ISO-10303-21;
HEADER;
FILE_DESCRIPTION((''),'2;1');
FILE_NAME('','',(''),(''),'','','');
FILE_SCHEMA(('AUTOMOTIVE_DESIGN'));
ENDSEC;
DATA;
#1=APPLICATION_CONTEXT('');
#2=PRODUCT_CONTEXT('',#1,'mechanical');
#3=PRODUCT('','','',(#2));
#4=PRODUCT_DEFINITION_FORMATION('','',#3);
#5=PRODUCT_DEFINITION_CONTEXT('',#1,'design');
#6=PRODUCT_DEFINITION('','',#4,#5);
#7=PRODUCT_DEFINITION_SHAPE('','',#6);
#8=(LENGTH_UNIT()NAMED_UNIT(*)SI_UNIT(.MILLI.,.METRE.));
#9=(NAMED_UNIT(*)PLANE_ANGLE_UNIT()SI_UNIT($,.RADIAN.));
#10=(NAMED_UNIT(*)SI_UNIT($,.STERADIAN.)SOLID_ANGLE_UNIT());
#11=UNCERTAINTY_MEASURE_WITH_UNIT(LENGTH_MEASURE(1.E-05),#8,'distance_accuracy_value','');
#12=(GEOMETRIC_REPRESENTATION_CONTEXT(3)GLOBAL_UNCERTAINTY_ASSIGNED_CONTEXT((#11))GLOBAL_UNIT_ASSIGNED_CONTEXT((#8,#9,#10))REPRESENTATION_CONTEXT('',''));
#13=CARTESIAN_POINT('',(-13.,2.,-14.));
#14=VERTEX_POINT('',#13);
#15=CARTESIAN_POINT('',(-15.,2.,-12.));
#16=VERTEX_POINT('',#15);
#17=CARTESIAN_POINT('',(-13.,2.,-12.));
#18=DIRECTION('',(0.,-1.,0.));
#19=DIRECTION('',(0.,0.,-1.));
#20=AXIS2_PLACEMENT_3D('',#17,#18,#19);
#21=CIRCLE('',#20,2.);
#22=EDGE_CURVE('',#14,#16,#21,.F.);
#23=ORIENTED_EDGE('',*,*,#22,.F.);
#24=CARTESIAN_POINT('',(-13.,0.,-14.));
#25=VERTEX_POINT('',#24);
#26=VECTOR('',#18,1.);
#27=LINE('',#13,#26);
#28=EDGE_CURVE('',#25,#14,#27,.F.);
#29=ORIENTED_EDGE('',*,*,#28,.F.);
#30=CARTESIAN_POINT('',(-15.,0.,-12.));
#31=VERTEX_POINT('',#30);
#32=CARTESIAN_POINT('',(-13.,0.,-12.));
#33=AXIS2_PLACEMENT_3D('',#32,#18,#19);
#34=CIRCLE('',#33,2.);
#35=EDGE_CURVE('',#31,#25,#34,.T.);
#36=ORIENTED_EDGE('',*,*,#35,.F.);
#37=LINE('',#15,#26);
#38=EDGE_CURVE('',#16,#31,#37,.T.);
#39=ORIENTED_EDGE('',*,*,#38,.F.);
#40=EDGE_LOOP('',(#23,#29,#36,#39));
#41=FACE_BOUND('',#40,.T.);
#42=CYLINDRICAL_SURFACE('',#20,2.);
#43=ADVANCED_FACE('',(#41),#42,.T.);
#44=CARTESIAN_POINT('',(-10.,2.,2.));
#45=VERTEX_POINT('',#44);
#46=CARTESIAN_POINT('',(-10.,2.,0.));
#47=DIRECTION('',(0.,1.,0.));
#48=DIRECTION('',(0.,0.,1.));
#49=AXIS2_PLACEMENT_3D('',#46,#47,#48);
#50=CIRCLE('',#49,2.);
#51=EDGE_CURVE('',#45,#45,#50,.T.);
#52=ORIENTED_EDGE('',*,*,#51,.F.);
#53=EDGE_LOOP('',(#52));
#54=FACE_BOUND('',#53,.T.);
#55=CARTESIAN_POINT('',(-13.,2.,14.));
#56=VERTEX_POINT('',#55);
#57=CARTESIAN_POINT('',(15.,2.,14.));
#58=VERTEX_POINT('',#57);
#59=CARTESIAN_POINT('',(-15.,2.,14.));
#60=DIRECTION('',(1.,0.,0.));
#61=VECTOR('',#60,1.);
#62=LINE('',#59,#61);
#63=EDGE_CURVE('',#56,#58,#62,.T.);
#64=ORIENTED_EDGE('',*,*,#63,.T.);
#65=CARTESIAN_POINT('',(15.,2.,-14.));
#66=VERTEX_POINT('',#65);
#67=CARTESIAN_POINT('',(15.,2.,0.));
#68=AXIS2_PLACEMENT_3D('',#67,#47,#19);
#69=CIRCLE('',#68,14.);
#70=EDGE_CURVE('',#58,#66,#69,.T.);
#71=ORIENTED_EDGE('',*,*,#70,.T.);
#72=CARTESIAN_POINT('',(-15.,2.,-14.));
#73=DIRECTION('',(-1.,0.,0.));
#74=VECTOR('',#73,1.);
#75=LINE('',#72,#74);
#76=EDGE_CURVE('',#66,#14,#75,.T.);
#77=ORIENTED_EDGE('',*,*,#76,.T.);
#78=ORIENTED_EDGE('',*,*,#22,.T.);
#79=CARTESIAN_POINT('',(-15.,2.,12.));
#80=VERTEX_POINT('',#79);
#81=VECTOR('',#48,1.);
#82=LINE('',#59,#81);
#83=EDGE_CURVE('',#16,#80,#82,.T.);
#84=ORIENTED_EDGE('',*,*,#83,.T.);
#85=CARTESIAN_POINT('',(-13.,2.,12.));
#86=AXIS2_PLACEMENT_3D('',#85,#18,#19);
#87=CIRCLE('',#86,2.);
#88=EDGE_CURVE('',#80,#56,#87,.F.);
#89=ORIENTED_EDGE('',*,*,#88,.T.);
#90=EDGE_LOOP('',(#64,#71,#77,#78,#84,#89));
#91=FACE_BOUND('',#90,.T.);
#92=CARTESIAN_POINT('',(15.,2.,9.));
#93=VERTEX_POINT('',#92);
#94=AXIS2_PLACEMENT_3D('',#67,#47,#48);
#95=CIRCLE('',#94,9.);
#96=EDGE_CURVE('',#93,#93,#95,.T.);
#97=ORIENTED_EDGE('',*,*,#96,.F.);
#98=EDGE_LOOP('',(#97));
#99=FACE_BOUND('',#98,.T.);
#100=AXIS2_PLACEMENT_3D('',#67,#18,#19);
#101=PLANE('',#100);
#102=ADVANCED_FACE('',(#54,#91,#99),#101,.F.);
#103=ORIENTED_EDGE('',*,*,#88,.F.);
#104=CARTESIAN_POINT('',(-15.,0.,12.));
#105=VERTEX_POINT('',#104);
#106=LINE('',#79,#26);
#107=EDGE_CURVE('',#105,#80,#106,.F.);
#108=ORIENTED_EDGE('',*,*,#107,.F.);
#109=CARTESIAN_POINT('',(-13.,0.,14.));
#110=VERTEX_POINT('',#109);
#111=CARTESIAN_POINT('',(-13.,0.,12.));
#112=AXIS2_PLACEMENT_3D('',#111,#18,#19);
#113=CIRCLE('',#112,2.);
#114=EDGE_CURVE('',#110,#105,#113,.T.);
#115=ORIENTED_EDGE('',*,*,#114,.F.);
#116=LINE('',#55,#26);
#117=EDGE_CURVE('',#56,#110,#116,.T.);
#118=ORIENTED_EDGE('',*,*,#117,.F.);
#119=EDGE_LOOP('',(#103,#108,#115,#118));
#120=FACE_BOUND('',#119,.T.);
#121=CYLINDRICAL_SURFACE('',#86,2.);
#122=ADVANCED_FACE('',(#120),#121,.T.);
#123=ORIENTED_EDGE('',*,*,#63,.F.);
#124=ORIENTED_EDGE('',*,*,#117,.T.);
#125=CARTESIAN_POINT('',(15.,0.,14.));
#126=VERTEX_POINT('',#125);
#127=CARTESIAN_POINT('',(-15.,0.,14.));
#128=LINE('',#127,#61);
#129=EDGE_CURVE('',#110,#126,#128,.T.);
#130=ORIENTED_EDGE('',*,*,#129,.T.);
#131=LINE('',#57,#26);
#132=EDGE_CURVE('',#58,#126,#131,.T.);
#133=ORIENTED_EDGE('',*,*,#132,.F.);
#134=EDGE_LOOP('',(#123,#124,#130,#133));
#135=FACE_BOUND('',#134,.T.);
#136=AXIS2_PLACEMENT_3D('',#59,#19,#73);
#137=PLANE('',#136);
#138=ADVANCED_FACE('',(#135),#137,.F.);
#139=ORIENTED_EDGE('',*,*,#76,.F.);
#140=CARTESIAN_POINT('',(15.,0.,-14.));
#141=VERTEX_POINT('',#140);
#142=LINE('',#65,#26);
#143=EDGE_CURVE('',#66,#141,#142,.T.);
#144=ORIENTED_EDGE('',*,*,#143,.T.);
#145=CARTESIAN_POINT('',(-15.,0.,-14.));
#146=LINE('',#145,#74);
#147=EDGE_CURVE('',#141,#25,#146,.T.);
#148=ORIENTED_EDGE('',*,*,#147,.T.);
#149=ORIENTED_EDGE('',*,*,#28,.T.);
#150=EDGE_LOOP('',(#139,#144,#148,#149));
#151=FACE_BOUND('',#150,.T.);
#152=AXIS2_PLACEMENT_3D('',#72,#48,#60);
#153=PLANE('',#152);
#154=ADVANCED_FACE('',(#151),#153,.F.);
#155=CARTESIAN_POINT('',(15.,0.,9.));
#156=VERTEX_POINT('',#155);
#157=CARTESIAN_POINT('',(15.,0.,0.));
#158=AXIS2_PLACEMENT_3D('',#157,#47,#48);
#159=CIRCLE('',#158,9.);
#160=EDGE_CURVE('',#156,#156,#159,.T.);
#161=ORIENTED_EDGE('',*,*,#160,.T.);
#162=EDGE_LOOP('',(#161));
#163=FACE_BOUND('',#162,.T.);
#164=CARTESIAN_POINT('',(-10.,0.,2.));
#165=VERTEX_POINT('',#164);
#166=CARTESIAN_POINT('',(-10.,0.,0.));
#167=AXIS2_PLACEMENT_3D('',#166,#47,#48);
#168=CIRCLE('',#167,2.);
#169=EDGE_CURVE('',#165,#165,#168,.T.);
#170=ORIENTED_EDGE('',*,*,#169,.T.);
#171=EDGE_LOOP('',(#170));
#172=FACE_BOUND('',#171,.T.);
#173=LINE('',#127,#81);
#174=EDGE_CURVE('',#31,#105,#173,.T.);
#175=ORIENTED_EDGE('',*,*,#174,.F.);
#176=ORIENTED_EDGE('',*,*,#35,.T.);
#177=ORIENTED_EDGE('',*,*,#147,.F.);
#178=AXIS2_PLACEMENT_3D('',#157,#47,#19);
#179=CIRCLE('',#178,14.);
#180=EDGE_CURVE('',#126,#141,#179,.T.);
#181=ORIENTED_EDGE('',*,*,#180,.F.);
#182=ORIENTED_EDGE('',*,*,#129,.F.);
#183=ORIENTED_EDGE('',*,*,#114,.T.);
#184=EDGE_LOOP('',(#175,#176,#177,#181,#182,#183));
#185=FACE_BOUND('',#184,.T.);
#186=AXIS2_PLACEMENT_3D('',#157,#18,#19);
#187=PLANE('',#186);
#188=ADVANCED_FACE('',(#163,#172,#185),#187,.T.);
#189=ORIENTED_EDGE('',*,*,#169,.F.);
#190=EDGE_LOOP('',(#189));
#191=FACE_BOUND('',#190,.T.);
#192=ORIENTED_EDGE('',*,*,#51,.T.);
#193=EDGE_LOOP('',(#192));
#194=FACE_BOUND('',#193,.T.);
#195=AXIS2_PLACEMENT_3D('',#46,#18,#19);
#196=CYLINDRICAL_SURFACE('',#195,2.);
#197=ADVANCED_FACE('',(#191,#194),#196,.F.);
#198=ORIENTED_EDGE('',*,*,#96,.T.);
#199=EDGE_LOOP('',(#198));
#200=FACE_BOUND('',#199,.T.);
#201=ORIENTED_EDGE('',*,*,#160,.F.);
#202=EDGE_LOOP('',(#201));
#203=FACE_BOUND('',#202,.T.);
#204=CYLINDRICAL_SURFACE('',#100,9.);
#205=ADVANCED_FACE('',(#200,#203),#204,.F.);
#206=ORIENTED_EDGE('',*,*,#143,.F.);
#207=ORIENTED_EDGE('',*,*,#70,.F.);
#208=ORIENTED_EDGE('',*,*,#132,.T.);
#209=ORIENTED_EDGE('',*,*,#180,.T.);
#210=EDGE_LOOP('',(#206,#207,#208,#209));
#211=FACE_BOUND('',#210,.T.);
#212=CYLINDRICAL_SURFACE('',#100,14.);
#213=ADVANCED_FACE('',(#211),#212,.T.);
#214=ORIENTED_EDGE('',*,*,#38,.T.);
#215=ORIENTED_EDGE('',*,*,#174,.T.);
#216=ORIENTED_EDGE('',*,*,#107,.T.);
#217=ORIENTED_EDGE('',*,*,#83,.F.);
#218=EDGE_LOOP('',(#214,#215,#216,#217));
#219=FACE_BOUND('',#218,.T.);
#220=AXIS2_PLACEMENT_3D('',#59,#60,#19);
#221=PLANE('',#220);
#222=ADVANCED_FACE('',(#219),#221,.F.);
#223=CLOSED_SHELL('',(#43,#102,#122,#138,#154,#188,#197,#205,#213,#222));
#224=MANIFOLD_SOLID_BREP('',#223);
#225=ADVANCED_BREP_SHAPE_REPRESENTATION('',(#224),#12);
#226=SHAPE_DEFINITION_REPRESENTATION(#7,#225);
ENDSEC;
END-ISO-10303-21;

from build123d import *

# Parameters (mm, degrees)
SKETCH1_R           = 2
SKETCH1_R_2         = 9
BOSS_EXTRUDE1_DEPTH = 2
FILLET1_R           = 2


with BuildPart() as part:
    # Sketch1 → Boss-Extrude1 (new body)
    with BuildSketch(Plane(origin=(0, 0, 0), x_dir=(1, 0, 0), z_dir=(0, 1, 0))):
        with BuildLine():
            Line((-15, -14), (15, -14))
            ThreePointArc((15, -14), (29, 0), (15, 14))
            Line((15, 14), (-15, 14))
            Line((-15, 14), (-15, -14))
        make_face()
        with Locations(Location((-10, 0, 0), (0, 0, 270))):
            Circle(SKETCH1_R, mode=Mode.SUBTRACT)
        with Locations(Location((15, 0, 0), (0, 0, 270))):
            Circle(SKETCH1_R_2, mode=Mode.SUBTRACT)
    extrude(amount=BOSS_EXTRUDE1_DEPTH)

    # Fillet1
    fillet1_edges = [part.edges().sort_by_distance(p)[0] for p in [
        (-15, 1, 14),
        (-15, 1, -14),
    ]]
    fillet(fillet1_edges, radius=FILLET1_R)


solid = part.part
